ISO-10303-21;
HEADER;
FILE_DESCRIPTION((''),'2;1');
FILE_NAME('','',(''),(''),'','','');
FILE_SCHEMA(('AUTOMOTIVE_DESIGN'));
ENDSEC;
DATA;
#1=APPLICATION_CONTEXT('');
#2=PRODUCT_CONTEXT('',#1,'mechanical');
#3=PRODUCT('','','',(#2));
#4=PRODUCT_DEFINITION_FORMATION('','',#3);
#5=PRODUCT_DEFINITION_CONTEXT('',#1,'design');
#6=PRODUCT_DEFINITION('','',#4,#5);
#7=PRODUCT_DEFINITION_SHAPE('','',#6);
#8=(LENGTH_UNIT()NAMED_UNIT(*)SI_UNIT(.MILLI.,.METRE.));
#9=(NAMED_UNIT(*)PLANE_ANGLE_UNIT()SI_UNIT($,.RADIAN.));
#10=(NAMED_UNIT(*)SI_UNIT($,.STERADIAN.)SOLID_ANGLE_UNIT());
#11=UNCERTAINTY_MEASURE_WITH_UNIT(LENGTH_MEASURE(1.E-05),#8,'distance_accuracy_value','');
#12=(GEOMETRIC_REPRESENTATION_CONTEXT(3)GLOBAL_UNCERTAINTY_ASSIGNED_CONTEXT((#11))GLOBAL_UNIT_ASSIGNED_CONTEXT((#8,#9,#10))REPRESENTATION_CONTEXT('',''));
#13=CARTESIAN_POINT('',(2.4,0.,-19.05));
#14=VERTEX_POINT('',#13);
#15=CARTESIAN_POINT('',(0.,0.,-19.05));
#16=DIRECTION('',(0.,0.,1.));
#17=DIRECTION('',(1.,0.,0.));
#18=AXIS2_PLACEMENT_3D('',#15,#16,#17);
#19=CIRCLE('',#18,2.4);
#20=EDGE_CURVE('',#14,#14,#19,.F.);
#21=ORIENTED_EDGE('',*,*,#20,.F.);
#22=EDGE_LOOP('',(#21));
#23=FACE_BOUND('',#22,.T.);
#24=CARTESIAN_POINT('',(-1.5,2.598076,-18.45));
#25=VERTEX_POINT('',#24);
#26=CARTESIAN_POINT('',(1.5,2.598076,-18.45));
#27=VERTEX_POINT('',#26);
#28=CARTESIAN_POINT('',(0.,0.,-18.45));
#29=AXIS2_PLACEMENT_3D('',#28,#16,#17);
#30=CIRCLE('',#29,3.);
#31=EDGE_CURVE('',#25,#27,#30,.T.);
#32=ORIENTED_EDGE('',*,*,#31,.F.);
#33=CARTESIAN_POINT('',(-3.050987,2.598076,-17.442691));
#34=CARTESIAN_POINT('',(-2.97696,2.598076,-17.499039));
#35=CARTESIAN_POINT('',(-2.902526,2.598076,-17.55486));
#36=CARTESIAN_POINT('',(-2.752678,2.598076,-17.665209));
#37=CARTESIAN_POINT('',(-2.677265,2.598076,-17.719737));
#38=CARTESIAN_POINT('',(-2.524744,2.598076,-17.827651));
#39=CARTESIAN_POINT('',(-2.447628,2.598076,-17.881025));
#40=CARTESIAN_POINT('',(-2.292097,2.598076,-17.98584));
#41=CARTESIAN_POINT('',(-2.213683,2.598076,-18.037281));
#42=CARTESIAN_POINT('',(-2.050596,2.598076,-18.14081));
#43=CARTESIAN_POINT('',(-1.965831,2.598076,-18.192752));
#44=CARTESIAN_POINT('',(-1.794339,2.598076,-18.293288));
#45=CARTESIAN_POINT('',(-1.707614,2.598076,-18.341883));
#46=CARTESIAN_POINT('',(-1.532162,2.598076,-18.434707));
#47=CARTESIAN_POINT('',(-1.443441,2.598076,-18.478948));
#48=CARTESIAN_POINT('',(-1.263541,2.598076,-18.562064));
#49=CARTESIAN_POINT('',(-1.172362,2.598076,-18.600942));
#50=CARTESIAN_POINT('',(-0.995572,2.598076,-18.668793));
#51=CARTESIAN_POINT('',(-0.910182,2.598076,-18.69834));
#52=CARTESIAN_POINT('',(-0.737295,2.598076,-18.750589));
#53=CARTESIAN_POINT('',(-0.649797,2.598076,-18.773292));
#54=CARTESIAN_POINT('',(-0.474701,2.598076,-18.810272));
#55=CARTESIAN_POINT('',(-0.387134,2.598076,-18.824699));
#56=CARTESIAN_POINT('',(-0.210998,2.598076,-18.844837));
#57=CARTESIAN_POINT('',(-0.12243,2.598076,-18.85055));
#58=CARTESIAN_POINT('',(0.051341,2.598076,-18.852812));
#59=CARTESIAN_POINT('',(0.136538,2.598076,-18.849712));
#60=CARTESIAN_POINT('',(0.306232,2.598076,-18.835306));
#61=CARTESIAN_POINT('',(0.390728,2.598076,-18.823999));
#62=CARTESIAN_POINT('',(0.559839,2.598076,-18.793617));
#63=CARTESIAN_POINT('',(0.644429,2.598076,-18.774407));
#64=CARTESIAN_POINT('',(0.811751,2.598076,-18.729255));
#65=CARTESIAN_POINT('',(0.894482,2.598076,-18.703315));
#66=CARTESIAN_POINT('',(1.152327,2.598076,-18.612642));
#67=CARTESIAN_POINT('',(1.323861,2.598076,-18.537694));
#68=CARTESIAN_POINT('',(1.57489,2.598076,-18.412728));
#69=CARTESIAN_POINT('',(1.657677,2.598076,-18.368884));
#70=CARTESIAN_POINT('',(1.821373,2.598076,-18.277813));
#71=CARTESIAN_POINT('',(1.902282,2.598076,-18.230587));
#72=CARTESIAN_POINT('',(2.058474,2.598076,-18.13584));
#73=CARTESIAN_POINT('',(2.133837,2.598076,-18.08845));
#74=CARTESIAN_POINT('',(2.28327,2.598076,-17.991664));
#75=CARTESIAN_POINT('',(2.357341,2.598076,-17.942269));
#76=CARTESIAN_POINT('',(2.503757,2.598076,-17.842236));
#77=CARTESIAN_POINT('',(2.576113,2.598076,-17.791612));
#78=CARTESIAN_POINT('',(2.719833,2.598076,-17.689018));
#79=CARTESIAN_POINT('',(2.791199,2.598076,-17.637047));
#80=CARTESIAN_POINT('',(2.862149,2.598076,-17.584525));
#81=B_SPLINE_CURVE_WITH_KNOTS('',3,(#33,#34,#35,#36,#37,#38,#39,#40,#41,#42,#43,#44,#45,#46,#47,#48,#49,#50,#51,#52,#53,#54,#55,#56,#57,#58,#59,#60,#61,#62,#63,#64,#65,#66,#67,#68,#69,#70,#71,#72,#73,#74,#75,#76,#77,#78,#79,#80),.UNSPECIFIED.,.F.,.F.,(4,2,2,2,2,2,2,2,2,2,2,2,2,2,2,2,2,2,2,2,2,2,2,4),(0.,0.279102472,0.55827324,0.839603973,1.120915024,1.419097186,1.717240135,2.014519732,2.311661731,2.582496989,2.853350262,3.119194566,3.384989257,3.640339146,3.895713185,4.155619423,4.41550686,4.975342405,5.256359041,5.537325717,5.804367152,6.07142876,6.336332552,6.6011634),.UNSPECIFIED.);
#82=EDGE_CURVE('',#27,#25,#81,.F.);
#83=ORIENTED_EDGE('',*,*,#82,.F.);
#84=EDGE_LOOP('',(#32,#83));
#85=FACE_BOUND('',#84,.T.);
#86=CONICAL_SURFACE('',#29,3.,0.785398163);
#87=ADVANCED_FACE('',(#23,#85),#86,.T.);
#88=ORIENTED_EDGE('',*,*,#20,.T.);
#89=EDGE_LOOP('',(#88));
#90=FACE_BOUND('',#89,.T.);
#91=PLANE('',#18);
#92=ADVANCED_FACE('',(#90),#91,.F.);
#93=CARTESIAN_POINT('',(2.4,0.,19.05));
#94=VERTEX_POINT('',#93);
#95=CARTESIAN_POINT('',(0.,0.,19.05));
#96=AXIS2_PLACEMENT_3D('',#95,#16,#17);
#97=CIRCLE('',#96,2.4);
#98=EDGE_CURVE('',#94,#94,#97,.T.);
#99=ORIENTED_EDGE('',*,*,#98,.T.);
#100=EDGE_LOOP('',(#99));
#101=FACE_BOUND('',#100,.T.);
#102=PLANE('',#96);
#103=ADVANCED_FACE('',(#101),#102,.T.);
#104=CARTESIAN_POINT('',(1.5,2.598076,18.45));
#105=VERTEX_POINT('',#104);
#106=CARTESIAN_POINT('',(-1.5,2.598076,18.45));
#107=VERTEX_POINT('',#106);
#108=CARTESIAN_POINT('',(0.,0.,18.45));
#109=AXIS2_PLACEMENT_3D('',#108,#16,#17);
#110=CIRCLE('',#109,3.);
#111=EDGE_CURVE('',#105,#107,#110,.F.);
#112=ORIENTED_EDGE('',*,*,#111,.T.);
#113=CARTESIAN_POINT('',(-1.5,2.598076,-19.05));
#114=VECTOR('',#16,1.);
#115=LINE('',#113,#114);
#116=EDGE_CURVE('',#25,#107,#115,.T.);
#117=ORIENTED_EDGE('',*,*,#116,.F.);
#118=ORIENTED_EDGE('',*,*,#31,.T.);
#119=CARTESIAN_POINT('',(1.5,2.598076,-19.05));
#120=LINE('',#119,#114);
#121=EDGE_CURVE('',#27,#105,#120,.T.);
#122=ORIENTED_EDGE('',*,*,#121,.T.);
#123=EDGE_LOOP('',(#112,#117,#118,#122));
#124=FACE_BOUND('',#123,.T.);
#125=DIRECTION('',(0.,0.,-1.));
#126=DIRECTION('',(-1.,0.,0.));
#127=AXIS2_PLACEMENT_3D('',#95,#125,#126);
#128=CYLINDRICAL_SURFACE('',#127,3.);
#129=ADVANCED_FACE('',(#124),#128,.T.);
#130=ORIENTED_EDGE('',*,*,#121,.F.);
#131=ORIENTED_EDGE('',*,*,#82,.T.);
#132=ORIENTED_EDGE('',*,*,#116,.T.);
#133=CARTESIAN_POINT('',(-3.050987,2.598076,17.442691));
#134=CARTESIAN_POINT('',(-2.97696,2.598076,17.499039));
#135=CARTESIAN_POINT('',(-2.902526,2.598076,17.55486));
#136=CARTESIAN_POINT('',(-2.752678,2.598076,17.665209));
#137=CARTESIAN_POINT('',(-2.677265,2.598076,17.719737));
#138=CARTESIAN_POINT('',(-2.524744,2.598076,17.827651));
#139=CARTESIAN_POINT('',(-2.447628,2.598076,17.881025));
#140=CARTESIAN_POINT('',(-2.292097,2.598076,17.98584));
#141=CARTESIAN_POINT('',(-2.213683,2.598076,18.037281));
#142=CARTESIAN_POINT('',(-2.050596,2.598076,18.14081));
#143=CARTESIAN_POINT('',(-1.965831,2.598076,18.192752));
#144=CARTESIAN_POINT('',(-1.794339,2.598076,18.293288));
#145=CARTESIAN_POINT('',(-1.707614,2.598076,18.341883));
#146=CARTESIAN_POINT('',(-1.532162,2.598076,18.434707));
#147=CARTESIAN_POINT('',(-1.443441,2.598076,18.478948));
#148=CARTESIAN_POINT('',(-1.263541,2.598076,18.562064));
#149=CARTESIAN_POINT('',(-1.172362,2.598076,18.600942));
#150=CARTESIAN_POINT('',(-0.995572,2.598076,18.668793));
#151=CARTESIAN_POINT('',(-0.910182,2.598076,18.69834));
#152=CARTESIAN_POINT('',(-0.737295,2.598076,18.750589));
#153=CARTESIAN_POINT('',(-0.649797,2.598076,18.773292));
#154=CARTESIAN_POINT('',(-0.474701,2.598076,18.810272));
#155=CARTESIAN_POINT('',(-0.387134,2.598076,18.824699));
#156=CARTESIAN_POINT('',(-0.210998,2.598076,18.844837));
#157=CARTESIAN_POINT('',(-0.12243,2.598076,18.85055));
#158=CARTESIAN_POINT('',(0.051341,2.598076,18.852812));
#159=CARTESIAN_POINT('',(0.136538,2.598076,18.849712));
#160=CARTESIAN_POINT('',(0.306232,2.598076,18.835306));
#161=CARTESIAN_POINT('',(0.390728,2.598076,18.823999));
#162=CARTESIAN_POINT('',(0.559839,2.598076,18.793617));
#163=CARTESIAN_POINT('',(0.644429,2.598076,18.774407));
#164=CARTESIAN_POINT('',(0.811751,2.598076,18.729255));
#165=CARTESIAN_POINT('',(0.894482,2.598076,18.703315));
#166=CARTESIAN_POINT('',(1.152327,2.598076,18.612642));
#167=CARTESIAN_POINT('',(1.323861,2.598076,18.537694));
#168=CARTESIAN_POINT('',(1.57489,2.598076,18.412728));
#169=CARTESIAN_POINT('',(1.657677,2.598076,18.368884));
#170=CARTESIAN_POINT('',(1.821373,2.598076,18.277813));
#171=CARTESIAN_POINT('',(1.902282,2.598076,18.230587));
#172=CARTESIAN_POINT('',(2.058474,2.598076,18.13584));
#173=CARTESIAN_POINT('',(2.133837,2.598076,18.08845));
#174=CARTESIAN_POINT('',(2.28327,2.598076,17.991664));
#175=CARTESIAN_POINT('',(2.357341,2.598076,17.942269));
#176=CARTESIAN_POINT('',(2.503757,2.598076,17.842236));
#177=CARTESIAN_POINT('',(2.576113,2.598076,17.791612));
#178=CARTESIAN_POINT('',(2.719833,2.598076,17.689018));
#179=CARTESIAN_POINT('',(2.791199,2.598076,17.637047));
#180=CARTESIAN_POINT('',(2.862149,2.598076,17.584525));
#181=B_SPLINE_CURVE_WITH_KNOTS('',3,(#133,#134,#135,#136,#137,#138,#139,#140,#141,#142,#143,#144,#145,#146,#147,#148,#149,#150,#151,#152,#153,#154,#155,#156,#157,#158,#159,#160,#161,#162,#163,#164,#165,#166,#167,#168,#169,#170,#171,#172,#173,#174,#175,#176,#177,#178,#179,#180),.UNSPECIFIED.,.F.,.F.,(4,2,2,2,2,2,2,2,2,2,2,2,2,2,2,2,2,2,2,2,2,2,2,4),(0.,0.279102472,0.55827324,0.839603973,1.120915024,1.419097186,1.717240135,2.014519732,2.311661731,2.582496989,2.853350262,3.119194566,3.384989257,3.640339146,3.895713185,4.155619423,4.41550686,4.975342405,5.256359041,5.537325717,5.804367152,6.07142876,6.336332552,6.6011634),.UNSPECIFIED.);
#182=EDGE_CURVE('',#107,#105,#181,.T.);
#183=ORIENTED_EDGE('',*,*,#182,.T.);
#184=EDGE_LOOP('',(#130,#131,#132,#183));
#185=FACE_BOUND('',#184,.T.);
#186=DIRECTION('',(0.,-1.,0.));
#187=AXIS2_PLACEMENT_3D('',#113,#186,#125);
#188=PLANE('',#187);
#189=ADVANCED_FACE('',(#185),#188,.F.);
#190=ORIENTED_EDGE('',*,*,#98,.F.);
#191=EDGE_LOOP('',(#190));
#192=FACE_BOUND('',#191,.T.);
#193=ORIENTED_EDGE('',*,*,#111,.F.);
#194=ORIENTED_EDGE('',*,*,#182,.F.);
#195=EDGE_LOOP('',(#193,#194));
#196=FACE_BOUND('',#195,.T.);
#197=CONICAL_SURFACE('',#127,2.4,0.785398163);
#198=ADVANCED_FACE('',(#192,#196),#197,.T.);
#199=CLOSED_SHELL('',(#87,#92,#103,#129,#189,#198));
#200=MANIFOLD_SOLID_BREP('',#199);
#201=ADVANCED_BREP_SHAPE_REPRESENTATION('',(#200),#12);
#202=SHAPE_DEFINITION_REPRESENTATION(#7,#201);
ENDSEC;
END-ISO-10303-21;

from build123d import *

# Parameters (mm, degrees)
SKETCH1_R           = 3
EXTRUDE1_DEPTH      = 19.05
CHAMFER1_SIZE       = 0.6
EXTRUDE7_DEPTH      = 20.05
EXTRUDE7_DEPTH_BACK = 20.05


with BuildPart() as part:
    # Sketch1 → Extrude1 (new body, symmetric)
    with BuildSketch(Plane.XY):
        Circle(SKETCH1_R)
    extrude(amount=EXTRUDE1_DEPTH, both=True)

    # Chamfer1
    chamfer1_edges = [part.edges().sort_by_distance(p)[0] for p in [
        (-3, 0, -19.05),
        (-3, 0, 19.05),
    ]]
    chamfer(chamfer1_edges, length=CHAMFER1_SIZE)

    # Sketch13 → Extrude7 (cut, two sides)
    with BuildSketch(Plane.XY) as extrude7_sk:
        with BuildLine():
            Line((-1.5, 2.598076211), (1.5, 2.598076211))
            ThreePointArc((1.5, 2.598076211), (0, 3), (-1.5, 2.598076211))
        make_face()
    extrude(amount=EXTRUDE7_DEPTH, mode=Mode.SUBTRACT)
    extrude(extrude7_sk.sketch, amount=-EXTRUDE7_DEPTH_BACK, mode=Mode.SUBTRACT)


solid = part.part
